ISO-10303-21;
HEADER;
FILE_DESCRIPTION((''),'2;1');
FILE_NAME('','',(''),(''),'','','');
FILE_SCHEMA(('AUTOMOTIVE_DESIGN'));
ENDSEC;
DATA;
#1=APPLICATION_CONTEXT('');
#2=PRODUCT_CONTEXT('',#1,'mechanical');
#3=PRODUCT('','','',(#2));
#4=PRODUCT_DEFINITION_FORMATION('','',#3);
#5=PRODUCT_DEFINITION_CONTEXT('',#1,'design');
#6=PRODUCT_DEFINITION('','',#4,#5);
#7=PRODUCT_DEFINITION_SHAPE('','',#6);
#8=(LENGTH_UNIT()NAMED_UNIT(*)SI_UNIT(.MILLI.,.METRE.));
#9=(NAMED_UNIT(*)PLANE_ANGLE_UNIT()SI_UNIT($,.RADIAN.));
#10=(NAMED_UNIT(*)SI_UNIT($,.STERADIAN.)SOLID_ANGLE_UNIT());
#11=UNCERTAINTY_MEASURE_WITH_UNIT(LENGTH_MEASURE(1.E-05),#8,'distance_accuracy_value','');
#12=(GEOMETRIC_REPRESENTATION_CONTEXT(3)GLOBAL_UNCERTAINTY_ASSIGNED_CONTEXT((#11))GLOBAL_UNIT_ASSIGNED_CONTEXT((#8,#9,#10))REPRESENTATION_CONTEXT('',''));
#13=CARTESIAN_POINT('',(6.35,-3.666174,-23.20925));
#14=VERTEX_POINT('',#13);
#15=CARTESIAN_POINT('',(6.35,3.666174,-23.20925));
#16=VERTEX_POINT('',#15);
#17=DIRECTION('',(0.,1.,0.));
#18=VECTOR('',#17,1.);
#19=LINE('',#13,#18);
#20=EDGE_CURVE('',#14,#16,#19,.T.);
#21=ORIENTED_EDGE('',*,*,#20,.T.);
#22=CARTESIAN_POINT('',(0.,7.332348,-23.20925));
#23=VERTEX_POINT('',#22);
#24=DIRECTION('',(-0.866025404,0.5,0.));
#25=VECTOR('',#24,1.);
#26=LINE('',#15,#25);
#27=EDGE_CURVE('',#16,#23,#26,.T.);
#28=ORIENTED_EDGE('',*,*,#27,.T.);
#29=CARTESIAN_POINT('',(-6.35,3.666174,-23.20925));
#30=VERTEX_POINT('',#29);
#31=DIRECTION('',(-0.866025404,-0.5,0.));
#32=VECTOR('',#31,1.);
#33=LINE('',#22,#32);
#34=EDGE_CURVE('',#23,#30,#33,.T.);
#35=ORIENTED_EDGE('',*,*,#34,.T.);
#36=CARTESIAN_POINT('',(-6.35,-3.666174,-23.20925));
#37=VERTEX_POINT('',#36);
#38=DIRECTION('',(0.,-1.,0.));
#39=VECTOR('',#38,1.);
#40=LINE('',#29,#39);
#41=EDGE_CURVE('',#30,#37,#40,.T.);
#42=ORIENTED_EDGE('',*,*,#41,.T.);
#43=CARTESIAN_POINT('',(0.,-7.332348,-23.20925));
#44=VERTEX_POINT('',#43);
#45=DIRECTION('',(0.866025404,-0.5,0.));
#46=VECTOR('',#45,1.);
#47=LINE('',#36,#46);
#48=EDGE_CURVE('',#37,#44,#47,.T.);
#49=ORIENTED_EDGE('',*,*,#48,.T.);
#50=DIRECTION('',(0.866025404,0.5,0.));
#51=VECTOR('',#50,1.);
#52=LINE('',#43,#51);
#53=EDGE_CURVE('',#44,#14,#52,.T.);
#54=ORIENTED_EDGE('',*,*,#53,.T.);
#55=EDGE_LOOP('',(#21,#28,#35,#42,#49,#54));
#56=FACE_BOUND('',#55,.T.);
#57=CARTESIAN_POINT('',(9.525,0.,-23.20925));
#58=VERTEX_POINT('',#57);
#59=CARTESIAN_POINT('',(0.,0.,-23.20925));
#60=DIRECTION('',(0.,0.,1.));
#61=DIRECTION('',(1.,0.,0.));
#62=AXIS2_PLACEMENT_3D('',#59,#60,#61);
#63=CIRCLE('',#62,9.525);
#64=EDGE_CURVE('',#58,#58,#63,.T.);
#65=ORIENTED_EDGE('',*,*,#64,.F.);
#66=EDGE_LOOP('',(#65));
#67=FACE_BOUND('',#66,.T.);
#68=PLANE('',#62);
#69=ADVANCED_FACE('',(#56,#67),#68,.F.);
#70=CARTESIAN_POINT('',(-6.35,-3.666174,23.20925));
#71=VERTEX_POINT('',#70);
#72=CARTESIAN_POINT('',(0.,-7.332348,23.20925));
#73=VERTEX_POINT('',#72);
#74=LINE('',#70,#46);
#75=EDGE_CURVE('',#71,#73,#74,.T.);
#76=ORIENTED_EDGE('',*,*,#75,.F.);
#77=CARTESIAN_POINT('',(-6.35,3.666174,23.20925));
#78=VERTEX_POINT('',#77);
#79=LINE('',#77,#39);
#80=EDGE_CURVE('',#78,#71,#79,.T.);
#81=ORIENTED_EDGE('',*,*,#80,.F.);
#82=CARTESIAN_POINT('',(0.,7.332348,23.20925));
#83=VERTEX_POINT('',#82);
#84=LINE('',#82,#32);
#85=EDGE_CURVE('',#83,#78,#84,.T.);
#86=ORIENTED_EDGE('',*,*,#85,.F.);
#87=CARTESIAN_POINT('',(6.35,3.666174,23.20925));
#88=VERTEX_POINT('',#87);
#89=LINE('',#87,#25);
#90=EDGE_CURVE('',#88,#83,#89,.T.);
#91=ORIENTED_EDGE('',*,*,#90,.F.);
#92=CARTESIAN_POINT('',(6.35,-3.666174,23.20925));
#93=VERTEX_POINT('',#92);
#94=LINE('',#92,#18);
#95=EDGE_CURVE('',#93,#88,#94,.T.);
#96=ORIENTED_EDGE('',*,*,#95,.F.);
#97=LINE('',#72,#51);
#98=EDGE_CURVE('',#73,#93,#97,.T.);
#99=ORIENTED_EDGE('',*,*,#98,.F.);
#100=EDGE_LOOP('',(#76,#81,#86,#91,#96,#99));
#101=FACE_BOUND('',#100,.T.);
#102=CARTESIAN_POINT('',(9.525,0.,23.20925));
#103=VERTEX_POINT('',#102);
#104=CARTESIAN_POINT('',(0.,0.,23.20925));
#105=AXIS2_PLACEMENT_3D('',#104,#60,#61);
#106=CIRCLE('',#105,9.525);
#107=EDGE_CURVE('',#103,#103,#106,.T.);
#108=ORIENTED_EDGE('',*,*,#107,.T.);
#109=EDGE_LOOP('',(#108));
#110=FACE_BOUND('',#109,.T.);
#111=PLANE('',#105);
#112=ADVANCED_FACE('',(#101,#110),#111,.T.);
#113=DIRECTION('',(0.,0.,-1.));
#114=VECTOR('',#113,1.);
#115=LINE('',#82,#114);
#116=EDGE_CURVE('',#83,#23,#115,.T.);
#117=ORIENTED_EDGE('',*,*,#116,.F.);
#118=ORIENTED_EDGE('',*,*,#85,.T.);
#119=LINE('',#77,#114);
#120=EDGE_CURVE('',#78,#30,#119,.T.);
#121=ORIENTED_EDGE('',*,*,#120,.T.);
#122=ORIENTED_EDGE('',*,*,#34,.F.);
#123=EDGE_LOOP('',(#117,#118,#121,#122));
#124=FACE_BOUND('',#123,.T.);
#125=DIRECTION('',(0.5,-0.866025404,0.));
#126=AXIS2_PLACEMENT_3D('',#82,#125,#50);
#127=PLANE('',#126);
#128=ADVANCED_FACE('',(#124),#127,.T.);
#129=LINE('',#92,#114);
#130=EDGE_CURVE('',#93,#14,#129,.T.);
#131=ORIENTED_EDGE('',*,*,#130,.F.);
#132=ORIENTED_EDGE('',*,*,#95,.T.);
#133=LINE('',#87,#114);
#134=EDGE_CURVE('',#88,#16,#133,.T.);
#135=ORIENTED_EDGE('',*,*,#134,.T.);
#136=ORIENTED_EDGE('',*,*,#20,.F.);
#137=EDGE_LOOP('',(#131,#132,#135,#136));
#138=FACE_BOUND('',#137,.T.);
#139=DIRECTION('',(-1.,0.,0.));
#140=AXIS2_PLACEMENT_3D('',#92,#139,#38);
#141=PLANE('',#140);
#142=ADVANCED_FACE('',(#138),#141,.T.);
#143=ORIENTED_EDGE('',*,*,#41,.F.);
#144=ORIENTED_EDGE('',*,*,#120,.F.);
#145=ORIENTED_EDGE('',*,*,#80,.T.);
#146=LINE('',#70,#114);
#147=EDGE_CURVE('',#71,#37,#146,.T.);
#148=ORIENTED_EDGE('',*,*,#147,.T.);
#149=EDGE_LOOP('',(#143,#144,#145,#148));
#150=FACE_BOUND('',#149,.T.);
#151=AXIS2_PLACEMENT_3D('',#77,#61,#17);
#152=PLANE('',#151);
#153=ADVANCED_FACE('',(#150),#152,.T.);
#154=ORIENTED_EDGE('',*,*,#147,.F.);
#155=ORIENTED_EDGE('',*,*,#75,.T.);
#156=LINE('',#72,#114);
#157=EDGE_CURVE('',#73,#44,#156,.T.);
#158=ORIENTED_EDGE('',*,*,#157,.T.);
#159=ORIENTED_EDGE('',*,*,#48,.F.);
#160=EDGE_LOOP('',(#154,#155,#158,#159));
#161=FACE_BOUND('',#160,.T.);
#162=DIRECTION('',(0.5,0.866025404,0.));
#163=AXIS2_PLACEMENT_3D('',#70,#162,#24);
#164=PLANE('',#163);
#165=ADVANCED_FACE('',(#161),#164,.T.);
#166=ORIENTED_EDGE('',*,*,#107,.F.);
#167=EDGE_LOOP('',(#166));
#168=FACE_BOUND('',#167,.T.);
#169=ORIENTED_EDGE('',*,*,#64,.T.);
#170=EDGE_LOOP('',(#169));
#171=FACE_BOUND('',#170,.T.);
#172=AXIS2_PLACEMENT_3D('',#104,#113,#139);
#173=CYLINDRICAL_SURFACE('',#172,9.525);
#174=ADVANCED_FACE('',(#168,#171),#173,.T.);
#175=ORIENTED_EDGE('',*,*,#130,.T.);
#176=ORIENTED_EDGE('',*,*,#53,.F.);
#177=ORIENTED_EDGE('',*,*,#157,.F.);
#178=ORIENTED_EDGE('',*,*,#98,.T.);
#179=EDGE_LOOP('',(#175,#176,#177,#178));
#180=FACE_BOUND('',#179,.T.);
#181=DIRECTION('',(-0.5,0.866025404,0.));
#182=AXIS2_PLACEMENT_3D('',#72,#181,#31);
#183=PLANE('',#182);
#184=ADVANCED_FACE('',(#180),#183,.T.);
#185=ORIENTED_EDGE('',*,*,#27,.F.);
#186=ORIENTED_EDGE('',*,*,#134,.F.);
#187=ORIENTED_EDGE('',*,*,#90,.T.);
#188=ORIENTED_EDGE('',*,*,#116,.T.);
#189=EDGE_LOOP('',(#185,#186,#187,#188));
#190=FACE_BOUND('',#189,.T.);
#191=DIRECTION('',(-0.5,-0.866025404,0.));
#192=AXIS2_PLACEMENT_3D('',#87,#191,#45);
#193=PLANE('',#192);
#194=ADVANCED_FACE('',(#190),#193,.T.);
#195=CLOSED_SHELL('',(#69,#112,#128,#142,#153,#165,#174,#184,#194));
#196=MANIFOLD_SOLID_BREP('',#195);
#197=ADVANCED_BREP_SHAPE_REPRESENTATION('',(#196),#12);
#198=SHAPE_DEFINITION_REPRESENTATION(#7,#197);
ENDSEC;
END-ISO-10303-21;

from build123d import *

# Parameters (mm, degrees)
SKETCH1_R           = 9.525
BOSS_EXTRUDE1_DEPTH = 23.20925


with BuildPart() as part:
    # Sketch1 → Boss-Extrude1 (new, symmetric)
    with BuildSketch(Plane.XY):
        Circle(SKETCH1_R)
        Polygon((0, 7.332348419), (-6.35, 3.666174209), (-6.35, -3.666174209), (0, -7.332348419), (6.35, -3.666174209), (6.35, 3.666174209), align=None, mode=Mode.SUBTRACT)
    extrude(amount=BOSS_EXTRUDE1_DEPTH, both=True)


solid = part.part
